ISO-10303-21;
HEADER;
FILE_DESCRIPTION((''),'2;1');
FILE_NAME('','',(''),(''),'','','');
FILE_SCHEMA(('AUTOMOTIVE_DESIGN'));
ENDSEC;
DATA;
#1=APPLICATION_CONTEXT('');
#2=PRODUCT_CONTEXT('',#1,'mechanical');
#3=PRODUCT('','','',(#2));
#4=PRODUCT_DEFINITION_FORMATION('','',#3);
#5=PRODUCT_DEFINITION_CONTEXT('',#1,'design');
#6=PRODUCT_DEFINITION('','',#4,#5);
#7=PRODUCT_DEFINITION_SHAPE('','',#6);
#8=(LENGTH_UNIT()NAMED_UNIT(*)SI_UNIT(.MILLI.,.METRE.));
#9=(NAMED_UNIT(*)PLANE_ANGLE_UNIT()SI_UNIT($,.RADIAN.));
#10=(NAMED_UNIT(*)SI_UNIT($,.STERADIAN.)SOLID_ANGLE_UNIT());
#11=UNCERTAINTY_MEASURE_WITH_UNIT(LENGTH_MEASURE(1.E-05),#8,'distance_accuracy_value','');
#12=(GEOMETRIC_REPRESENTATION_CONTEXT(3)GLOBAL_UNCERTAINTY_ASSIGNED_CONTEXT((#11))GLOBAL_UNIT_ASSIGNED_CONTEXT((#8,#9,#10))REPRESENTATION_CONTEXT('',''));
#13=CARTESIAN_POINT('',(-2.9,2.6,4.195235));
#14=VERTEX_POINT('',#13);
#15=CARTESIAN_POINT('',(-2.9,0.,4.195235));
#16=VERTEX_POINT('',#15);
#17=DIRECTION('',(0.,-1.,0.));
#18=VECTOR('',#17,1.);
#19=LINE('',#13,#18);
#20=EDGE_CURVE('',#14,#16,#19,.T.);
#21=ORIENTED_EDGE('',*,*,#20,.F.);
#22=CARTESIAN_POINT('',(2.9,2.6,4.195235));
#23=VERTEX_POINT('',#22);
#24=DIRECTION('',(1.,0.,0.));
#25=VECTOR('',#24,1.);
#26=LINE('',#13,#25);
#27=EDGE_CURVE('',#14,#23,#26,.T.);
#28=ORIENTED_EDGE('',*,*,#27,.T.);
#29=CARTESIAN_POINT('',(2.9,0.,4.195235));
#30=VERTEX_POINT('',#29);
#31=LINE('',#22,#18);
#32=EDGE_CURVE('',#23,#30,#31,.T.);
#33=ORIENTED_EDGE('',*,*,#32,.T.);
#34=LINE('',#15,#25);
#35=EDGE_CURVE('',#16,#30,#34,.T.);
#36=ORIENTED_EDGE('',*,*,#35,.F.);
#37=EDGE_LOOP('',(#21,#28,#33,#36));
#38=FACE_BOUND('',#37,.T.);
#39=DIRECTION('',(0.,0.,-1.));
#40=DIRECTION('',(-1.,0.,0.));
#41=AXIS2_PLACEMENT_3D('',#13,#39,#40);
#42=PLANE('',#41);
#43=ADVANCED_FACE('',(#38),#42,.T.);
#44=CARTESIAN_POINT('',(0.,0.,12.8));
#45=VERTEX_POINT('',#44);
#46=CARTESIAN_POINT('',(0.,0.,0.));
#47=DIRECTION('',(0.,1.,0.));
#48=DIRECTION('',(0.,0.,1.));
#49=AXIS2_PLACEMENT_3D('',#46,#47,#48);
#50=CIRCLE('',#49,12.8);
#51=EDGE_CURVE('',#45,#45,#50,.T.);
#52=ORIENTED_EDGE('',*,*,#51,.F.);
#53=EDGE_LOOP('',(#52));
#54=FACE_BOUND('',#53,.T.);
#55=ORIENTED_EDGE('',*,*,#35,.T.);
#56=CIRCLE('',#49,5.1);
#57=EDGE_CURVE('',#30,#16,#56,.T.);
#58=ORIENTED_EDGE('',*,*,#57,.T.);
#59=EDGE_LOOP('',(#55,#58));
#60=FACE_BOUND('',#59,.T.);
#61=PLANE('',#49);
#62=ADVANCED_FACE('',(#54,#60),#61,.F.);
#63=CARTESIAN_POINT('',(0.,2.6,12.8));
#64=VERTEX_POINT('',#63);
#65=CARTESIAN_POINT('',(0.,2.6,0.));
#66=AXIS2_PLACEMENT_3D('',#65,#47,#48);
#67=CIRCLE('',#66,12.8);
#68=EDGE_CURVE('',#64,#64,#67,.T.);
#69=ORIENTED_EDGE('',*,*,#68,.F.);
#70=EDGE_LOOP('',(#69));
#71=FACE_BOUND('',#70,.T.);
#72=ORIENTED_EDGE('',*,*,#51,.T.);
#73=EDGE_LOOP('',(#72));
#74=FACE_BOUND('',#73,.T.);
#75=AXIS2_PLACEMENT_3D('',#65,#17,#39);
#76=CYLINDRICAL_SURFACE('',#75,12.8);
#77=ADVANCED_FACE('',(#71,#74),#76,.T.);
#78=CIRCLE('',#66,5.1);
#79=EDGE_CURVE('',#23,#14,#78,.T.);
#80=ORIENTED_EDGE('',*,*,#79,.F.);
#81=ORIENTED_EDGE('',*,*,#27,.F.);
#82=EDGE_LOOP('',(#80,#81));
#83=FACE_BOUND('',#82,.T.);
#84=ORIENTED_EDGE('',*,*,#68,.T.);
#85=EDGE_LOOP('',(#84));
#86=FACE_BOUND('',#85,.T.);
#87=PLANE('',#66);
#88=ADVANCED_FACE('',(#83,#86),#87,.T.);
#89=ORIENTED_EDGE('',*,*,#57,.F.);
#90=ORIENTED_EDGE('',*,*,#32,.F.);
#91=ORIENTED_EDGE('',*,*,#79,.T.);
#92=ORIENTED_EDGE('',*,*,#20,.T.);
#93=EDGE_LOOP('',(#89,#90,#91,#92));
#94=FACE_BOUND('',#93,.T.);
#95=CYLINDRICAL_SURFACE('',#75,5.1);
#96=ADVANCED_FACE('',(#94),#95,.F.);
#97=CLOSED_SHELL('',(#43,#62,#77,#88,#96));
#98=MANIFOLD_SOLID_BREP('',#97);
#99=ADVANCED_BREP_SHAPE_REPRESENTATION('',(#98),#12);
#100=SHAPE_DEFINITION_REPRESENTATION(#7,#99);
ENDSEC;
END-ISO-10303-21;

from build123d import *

# Parameters (mm, degrees)
SKETCH_1_R      = 12.8
EXTRUDE_1_DEPTH = 2.6


with BuildPart() as part:
    # 草图1 → 凸台-拉伸1 (new body)
    with BuildSketch(Plane(origin=(0, 0, 0), x_dir=(1, 0, 0), z_dir=(0, 1, 0))):
        with Locations(Location((0, 0, 0), (0, 0, 270))):
            Circle(SKETCH_1_R)
        with BuildLine():
            Line((-2.9, -4.195235393), (2.9, -4.195235393))
            ThreePointArc((2.9, -4.195235393), (0, 5.1), (-2.9, -4.195235393))
        make_face(mode=Mode.SUBTRACT)
    extrude(amount=EXTRUDE_1_DEPTH)


solid = part.part
